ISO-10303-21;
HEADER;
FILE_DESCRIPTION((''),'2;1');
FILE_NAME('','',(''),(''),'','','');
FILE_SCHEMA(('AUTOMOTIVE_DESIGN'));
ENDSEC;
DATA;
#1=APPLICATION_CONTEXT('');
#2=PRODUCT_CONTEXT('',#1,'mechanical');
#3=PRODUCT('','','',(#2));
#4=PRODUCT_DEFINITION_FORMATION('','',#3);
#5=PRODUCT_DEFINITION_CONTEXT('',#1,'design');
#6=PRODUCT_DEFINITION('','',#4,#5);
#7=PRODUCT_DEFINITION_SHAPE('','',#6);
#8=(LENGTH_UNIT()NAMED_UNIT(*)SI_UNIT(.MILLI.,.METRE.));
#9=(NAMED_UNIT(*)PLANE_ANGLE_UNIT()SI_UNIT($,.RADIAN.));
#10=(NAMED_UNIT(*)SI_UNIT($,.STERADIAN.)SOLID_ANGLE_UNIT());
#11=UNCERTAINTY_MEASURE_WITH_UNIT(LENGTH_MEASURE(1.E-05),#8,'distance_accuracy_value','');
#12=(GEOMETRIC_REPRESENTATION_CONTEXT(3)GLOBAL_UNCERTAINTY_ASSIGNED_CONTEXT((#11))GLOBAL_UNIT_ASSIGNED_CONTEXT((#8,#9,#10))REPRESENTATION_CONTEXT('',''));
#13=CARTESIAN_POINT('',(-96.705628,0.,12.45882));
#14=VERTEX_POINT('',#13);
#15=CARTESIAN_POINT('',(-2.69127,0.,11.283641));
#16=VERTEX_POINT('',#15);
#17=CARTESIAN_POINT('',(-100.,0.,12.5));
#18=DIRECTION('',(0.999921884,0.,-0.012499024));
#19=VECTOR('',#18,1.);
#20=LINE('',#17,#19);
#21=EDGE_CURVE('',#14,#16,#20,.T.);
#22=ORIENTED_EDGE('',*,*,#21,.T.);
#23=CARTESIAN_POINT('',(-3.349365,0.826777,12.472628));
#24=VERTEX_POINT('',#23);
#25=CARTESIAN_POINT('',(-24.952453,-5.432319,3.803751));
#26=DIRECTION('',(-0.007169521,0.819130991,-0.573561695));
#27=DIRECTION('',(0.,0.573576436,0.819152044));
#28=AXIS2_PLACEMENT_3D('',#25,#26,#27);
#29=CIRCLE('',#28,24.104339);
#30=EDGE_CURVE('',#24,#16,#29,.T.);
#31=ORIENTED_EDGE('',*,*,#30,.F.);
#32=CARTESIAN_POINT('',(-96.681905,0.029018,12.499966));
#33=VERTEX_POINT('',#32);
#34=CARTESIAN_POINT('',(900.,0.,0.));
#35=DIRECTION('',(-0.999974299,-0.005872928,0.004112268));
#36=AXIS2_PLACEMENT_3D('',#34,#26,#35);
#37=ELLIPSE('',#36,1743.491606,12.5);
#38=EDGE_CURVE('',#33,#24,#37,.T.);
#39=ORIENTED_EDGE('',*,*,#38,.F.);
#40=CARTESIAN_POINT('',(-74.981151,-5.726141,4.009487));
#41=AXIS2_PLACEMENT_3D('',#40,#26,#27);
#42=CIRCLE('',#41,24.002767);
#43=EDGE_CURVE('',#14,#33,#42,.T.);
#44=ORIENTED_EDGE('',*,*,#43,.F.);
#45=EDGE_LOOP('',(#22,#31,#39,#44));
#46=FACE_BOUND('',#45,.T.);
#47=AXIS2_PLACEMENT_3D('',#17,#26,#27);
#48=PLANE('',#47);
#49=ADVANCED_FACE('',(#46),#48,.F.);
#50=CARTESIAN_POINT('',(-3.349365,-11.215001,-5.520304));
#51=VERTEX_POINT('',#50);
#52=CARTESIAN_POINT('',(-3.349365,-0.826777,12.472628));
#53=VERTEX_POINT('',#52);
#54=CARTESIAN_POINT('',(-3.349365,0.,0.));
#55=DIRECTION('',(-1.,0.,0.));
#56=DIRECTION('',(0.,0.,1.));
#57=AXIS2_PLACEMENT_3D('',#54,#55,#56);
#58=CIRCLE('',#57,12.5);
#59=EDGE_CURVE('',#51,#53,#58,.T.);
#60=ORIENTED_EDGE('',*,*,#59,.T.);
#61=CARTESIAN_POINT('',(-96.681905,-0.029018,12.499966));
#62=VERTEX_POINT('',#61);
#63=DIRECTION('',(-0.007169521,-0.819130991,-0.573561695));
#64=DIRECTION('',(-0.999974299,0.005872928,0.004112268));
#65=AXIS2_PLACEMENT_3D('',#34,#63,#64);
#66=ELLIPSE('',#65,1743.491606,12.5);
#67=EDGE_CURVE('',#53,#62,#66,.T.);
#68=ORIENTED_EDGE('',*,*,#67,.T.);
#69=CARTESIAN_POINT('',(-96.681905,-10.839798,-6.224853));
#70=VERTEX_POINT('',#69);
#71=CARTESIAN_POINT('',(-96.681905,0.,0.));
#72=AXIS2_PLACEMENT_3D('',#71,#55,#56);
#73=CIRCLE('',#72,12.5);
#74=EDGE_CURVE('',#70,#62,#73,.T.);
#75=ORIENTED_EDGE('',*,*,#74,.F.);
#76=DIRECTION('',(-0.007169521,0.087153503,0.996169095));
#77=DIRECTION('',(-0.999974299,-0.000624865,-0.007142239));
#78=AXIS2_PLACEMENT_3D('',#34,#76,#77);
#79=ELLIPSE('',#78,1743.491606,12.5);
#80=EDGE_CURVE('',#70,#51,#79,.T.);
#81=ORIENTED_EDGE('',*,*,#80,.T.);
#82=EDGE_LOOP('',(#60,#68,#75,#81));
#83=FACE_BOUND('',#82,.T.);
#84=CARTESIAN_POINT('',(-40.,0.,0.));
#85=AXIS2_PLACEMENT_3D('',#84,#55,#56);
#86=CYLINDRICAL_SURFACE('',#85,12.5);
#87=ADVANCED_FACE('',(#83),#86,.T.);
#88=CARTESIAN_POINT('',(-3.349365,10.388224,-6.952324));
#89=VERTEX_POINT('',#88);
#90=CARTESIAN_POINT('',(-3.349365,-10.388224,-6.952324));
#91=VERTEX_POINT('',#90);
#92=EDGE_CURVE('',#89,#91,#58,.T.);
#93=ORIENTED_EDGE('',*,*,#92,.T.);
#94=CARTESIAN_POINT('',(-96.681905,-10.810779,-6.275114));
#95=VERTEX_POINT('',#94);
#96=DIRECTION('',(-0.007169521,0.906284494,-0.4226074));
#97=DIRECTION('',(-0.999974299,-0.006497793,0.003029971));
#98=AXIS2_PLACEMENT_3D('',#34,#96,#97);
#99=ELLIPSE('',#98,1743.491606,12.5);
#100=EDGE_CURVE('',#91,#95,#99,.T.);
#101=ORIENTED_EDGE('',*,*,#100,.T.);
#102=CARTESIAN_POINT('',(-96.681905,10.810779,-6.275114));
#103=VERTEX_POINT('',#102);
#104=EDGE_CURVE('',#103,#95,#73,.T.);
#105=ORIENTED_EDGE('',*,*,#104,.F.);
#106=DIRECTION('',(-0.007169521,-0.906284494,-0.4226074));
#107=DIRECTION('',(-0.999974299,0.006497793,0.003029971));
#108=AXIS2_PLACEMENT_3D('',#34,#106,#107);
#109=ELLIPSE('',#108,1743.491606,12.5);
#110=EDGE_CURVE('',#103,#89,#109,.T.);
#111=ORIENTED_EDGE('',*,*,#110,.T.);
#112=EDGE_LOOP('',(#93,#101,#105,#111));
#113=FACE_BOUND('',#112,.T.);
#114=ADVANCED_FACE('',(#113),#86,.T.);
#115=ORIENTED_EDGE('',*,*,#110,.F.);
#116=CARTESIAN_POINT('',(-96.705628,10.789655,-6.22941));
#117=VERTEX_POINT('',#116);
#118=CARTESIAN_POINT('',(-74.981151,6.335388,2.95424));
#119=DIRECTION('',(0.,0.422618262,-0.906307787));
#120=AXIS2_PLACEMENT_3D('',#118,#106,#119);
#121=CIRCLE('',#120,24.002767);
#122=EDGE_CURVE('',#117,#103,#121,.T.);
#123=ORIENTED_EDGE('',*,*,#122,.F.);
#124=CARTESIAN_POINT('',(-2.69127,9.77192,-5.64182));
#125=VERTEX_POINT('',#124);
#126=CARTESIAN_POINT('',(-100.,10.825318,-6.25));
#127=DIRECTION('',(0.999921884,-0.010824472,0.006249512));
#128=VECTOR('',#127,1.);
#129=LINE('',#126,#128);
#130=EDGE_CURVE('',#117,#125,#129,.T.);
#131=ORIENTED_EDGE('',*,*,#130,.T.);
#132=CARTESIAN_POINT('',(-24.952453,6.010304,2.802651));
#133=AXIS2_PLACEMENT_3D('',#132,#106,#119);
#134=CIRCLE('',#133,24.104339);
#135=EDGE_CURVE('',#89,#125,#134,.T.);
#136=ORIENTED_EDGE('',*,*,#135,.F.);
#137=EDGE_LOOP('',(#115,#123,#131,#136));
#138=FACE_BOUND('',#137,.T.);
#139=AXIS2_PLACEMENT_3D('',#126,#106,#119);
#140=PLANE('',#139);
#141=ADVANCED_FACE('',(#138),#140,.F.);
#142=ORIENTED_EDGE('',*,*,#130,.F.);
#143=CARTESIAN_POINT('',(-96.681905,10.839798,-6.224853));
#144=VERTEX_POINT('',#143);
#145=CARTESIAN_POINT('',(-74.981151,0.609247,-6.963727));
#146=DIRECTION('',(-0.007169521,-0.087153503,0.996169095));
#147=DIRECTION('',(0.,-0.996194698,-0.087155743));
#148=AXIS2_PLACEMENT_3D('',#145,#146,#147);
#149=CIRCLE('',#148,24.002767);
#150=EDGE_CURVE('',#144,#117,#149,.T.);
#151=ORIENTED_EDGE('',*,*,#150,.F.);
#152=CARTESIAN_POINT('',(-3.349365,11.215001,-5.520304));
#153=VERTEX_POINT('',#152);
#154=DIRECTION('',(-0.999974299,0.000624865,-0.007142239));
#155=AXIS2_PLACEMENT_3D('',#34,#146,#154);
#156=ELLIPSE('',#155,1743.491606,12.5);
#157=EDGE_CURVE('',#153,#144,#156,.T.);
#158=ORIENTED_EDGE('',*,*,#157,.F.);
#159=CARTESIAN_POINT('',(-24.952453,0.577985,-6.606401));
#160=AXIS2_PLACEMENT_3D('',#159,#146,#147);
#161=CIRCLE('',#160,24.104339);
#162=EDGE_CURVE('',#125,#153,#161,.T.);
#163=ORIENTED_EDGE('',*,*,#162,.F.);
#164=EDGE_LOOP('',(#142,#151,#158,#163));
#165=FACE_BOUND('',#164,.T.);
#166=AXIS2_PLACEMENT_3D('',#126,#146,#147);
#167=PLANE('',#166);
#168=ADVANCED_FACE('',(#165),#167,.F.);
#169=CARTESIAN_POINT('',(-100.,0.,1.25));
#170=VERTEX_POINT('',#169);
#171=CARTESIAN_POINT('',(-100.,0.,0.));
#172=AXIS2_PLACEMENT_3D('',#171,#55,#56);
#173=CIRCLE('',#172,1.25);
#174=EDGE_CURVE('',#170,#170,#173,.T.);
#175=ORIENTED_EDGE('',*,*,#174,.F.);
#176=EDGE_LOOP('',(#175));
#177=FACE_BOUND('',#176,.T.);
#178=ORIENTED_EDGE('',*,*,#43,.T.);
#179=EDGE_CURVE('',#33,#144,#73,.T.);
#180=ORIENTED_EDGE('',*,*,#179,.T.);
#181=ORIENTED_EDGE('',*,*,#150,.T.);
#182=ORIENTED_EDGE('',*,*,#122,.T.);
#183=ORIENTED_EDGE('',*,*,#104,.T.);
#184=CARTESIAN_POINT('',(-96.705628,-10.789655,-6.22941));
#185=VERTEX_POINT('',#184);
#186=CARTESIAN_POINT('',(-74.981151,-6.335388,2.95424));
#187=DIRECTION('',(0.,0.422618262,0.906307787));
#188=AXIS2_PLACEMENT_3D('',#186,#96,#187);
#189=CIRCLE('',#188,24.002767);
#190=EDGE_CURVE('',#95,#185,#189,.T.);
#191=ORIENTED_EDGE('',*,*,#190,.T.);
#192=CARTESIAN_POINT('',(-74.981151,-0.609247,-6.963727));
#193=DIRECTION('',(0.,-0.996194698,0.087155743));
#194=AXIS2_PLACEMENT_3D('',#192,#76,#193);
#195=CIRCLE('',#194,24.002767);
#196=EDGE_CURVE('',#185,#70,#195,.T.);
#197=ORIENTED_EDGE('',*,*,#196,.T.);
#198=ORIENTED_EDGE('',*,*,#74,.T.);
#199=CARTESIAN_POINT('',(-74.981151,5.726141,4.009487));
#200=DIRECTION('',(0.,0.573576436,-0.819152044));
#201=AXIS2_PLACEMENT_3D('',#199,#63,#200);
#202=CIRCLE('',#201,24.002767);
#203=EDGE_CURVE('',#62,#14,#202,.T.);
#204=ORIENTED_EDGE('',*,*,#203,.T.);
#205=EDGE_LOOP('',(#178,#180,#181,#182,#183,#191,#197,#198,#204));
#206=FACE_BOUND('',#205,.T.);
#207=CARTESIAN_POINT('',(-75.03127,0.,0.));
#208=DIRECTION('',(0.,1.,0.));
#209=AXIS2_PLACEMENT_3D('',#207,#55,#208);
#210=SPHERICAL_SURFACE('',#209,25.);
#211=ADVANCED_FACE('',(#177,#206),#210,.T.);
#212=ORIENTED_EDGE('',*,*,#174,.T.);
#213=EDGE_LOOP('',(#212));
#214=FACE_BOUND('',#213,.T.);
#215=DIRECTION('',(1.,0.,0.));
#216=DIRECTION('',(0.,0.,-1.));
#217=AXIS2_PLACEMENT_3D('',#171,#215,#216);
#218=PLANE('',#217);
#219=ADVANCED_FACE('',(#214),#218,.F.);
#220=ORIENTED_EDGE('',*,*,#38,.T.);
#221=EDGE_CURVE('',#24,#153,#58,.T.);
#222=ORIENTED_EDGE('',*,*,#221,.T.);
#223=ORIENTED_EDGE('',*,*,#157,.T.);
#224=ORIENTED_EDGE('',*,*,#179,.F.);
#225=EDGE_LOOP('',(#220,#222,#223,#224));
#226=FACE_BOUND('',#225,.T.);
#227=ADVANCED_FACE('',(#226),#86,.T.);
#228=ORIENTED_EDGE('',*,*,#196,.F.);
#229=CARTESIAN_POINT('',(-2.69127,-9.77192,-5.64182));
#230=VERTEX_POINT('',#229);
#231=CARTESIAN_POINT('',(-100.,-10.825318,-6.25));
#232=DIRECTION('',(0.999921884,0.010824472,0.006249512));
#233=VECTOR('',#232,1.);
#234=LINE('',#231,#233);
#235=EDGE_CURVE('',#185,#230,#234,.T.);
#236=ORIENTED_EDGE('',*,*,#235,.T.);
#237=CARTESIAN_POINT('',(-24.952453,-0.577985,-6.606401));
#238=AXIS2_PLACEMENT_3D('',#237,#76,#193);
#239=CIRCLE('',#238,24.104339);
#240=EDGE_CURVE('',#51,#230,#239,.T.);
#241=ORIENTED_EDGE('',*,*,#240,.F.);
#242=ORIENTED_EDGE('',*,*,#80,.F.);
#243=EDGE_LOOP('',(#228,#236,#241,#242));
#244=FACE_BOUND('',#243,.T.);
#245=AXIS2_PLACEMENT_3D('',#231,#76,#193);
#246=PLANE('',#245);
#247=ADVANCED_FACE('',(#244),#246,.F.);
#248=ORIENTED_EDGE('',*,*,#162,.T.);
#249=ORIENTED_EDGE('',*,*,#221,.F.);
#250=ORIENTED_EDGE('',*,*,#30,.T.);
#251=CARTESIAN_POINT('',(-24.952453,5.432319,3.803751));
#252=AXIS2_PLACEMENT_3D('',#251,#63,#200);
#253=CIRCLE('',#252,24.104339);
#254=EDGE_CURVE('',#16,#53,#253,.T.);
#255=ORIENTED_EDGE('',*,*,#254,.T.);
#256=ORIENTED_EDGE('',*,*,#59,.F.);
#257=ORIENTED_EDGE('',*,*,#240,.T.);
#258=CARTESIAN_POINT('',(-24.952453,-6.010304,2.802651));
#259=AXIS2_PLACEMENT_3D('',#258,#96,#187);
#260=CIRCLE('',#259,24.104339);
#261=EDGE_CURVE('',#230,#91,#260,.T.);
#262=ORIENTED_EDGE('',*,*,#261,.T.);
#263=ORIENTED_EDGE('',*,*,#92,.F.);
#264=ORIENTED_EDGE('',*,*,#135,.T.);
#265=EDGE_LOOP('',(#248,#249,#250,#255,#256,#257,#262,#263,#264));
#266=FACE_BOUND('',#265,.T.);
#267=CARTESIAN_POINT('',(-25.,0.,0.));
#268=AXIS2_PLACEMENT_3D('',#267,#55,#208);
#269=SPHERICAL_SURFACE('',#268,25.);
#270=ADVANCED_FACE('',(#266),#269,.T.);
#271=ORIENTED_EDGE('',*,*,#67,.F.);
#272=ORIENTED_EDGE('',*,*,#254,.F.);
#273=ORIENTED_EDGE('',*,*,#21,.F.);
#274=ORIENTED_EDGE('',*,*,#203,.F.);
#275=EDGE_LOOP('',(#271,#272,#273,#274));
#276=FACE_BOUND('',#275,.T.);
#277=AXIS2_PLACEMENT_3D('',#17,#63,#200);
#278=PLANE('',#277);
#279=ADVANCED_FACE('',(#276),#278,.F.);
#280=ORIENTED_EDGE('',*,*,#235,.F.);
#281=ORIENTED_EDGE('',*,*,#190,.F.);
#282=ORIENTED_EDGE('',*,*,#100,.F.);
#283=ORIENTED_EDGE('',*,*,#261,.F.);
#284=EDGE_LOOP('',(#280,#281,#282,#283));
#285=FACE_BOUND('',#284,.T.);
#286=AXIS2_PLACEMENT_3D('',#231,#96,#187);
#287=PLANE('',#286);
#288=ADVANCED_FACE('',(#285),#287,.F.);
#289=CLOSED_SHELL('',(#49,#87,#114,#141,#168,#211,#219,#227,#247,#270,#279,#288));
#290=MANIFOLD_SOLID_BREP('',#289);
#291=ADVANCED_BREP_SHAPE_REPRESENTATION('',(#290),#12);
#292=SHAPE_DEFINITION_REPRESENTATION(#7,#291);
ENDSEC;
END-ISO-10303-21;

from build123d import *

# Parameters (mm, degrees)
CIRPATTERN1_COUNT = 3


with BuildPart() as part:
    # Sketch1 → Base-Revolve (revolve)
    with BuildSketch(Plane.XY):
        with BuildLine():
            Line((-100, 0), (-100, 1.25))
            ThreePointArc((-100, 1.25), (-99.010050505, 7.072345027), (-96.68190465, 12.5))
            Line((-96.68190465, 12.5), (-3.349364905, 12.5))
            ThreePointArc((-3.349364905, 12.5), (-0.851854343, 6.470476128), (0, 0))
            Line((0, 0), (-100, 0))
        make_face()
    revolve(axis=Axis((-40, 0, 0), (1, 0, 0)))

    # Cut-Sweep1: sweep along a path in Sketch4
    with BuildLine(Plane(origin=(0, 0, 0), x_dir=(1, 0, 0), z_dir=(0, 1, 0))) as cut_sweep1_path:
        Line((0, -11.25), (-100, -12.5))
    # Sketch2 → Cut-Sweep1 (sweep, cut)
    with BuildSketch(Plane(origin=(0, 0, 0), x_dir=(0, 0, -1), z_dir=(1, 0, 0))):
        Polygon((-11.25, 0), (-12.5, 0.875259423), (-12.5, -0.875259423), align=None)
    cut_sweep1 = sweep(path=cut_sweep1_path.line, mode=Mode.SUBTRACT)

    # CirPattern1: Cut-Sweep1 ×3 about axis
    cirpattern1_axis = Axis((0, 0, 0), (1, 0, 0))
    for i in range(1, CIRPATTERN1_COUNT):
        add(cut_sweep1.rotate(cirpattern1_axis, i * 360 / CIRPATTERN1_COUNT), mode=Mode.SUBTRACT)


solid = part.part
